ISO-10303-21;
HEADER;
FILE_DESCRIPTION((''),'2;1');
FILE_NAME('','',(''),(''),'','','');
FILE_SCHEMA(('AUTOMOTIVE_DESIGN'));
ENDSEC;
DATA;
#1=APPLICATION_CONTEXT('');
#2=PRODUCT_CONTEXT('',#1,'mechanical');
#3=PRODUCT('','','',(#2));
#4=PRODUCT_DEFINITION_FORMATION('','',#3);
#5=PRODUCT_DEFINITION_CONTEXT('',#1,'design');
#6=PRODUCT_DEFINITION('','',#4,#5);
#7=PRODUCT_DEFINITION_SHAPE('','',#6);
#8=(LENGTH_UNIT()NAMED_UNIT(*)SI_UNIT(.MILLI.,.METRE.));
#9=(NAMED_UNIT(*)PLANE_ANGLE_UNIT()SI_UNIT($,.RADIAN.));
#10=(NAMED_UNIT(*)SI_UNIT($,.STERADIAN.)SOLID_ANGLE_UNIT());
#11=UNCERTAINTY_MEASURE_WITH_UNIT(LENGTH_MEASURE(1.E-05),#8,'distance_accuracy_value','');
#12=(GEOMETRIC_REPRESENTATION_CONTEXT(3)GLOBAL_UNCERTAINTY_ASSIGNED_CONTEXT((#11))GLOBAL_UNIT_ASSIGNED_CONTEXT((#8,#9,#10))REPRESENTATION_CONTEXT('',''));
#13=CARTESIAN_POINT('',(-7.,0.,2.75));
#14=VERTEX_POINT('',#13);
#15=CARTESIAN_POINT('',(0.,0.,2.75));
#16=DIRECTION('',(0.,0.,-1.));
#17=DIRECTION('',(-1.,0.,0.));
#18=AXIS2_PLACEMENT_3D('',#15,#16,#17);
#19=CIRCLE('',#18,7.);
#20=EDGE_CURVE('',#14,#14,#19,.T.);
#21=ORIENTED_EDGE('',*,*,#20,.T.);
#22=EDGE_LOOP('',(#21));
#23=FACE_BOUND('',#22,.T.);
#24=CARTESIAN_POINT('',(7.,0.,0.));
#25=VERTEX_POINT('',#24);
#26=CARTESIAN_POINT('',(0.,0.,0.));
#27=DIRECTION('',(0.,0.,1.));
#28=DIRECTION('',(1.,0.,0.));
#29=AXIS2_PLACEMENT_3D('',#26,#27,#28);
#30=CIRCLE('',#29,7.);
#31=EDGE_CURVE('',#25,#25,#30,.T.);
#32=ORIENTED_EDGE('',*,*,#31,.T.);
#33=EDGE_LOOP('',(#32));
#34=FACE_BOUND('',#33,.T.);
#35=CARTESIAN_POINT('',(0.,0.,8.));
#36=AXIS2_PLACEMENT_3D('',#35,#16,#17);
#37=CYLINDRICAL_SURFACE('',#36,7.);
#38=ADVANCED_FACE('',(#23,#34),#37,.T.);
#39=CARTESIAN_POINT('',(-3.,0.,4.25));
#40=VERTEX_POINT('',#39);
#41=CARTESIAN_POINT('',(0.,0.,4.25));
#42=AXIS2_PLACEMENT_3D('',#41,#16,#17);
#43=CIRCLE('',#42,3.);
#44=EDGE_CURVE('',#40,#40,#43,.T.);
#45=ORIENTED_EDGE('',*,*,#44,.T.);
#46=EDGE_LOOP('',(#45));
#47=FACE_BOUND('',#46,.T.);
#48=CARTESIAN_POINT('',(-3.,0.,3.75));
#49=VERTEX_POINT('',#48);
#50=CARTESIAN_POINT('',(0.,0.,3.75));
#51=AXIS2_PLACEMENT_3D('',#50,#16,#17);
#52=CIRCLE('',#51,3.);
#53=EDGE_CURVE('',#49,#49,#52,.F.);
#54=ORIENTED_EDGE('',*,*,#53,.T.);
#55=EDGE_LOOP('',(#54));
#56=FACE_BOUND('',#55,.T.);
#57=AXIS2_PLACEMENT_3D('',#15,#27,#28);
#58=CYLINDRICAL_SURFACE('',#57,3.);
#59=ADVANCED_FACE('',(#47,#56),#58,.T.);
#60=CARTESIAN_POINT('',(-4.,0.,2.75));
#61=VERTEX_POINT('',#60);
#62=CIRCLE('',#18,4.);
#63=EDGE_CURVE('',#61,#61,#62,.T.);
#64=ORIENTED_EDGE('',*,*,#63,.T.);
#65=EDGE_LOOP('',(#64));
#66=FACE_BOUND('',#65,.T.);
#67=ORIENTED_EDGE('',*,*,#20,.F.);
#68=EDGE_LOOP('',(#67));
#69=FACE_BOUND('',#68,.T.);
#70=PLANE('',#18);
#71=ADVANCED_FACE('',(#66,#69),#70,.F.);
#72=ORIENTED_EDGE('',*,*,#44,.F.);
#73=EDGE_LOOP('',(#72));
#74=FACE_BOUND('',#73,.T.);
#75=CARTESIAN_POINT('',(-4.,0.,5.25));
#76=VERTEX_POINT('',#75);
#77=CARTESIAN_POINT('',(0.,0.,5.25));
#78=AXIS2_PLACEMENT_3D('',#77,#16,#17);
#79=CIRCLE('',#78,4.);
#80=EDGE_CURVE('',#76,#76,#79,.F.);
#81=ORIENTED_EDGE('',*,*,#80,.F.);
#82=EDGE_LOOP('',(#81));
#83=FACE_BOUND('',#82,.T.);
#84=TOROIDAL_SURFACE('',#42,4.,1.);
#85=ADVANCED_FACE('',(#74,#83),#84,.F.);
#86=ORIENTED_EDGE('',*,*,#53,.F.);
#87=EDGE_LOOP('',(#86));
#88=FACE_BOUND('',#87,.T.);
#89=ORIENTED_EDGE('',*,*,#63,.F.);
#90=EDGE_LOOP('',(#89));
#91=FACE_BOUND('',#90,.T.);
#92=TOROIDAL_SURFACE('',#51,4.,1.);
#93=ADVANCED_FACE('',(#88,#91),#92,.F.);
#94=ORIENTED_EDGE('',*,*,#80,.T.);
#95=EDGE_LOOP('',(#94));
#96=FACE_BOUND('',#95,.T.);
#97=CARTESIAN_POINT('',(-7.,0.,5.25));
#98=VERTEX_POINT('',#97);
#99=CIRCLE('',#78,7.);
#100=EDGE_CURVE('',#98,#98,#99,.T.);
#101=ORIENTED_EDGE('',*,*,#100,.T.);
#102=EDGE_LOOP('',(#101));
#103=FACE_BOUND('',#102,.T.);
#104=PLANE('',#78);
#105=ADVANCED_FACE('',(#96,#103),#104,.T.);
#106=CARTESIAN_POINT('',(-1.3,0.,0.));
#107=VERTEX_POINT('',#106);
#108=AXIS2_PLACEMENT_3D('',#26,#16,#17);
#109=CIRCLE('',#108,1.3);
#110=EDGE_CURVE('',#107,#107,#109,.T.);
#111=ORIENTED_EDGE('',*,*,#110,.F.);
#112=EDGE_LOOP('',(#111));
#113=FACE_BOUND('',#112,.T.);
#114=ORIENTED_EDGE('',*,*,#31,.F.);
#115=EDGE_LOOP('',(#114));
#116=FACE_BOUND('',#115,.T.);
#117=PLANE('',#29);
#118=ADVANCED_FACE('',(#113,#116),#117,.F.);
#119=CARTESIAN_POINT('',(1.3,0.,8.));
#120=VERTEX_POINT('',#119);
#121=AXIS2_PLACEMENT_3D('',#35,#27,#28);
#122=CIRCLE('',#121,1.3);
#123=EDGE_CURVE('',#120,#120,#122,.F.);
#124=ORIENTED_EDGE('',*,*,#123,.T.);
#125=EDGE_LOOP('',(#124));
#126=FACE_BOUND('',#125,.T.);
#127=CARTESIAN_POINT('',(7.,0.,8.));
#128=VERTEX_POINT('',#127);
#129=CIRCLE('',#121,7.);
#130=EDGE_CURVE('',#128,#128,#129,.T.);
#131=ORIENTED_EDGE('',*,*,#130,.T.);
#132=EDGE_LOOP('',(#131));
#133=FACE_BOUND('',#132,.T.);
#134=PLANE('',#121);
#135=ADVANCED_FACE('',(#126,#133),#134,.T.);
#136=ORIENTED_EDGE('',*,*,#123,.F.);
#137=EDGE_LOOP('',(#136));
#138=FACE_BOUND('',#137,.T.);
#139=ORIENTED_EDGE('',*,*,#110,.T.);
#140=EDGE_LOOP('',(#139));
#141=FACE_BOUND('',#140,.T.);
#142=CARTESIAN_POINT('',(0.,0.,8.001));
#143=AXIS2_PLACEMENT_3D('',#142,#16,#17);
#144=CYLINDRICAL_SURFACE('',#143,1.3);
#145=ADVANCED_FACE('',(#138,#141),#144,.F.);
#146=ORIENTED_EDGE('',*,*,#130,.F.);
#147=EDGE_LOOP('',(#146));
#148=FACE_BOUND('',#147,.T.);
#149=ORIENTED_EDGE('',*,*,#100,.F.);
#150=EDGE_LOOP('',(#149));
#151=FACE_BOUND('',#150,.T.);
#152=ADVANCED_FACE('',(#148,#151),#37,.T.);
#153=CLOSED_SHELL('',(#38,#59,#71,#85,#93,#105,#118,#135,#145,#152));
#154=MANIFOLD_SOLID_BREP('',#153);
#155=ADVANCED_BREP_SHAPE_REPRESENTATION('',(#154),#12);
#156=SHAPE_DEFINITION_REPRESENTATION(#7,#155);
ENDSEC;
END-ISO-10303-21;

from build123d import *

# Parameters (mm, degrees)
ESQUISSE1_R                  = 7
BOSS_EXTRU_1_DEPTH           = 8
ESQUISSE2_R                  = 7
ESQUISSE2_R_2                = 3
ENL_V_MAT_EXTRU_2_DEPTH      = 1.25
ENL_V_MAT_EXTRU_2_DEPTH_BACK = 1.25
CONG_1_R                     = 1
ENL_V_MAT_EXTRU_3_REACH      = 10
ESQUISSE3_R                  = 1.3


with BuildPart() as part:
    # Esquisse1 → Boss.-Extru.1 (new body)
    with BuildSketch(Plane.XY):
        Circle(ESQUISSE1_R)
    extrude(amount=BOSS_EXTRU_1_DEPTH)

    # Esquisse2 → Enlèv. mat.-Extru.2 (cut, two sides)
    with BuildSketch(Plane(origin=(0, 0, 4), x_dir=(-1, 0, 0), z_dir=(0, 0, -1))) as enl_v_mat_extru_2_sk:
        Circle(ESQUISSE2_R)
        Circle(ESQUISSE2_R_2, mode=Mode.SUBTRACT)
    extrude(amount=ENL_V_MAT_EXTRU_2_DEPTH, mode=Mode.SUBTRACT)
    extrude(enl_v_mat_extru_2_sk.sketch, amount=-ENL_V_MAT_EXTRU_2_DEPTH_BACK, mode=Mode.SUBTRACT)

    # Congé1
    cong_1_edges = [part.edges().sort_by_distance(p)[0] for p in [
        (3, 0, 2.75),
        (3, 0, 5.25),
    ]]
    fillet(cong_1_edges, radius=CONG_1_R)

    # Esquisse3 → Enlèv. mat.-Extru.3 (cut, up to next)
    with BuildSketch(Plane(origin=(0, 0, 0), x_dir=(-1, 0, 0), z_dir=(0, 0, -1)), mode=Mode.PRIVATE) as enl_v_mat_extru_3_sk1:
        Circle(ESQUISSE3_R)
    enl_v_mat_extru_3_tool1 = extrude(enl_v_mat_extru_3_sk1.sketch, amount=-ENL_V_MAT_EXTRU_3_REACH, mode=Mode.PRIVATE) & part.part
    add(enl_v_mat_extru_3_tool1.solids().sort_by_distance((0, 0, 0))[0], mode=Mode.SUBTRACT)


solid = part.part
